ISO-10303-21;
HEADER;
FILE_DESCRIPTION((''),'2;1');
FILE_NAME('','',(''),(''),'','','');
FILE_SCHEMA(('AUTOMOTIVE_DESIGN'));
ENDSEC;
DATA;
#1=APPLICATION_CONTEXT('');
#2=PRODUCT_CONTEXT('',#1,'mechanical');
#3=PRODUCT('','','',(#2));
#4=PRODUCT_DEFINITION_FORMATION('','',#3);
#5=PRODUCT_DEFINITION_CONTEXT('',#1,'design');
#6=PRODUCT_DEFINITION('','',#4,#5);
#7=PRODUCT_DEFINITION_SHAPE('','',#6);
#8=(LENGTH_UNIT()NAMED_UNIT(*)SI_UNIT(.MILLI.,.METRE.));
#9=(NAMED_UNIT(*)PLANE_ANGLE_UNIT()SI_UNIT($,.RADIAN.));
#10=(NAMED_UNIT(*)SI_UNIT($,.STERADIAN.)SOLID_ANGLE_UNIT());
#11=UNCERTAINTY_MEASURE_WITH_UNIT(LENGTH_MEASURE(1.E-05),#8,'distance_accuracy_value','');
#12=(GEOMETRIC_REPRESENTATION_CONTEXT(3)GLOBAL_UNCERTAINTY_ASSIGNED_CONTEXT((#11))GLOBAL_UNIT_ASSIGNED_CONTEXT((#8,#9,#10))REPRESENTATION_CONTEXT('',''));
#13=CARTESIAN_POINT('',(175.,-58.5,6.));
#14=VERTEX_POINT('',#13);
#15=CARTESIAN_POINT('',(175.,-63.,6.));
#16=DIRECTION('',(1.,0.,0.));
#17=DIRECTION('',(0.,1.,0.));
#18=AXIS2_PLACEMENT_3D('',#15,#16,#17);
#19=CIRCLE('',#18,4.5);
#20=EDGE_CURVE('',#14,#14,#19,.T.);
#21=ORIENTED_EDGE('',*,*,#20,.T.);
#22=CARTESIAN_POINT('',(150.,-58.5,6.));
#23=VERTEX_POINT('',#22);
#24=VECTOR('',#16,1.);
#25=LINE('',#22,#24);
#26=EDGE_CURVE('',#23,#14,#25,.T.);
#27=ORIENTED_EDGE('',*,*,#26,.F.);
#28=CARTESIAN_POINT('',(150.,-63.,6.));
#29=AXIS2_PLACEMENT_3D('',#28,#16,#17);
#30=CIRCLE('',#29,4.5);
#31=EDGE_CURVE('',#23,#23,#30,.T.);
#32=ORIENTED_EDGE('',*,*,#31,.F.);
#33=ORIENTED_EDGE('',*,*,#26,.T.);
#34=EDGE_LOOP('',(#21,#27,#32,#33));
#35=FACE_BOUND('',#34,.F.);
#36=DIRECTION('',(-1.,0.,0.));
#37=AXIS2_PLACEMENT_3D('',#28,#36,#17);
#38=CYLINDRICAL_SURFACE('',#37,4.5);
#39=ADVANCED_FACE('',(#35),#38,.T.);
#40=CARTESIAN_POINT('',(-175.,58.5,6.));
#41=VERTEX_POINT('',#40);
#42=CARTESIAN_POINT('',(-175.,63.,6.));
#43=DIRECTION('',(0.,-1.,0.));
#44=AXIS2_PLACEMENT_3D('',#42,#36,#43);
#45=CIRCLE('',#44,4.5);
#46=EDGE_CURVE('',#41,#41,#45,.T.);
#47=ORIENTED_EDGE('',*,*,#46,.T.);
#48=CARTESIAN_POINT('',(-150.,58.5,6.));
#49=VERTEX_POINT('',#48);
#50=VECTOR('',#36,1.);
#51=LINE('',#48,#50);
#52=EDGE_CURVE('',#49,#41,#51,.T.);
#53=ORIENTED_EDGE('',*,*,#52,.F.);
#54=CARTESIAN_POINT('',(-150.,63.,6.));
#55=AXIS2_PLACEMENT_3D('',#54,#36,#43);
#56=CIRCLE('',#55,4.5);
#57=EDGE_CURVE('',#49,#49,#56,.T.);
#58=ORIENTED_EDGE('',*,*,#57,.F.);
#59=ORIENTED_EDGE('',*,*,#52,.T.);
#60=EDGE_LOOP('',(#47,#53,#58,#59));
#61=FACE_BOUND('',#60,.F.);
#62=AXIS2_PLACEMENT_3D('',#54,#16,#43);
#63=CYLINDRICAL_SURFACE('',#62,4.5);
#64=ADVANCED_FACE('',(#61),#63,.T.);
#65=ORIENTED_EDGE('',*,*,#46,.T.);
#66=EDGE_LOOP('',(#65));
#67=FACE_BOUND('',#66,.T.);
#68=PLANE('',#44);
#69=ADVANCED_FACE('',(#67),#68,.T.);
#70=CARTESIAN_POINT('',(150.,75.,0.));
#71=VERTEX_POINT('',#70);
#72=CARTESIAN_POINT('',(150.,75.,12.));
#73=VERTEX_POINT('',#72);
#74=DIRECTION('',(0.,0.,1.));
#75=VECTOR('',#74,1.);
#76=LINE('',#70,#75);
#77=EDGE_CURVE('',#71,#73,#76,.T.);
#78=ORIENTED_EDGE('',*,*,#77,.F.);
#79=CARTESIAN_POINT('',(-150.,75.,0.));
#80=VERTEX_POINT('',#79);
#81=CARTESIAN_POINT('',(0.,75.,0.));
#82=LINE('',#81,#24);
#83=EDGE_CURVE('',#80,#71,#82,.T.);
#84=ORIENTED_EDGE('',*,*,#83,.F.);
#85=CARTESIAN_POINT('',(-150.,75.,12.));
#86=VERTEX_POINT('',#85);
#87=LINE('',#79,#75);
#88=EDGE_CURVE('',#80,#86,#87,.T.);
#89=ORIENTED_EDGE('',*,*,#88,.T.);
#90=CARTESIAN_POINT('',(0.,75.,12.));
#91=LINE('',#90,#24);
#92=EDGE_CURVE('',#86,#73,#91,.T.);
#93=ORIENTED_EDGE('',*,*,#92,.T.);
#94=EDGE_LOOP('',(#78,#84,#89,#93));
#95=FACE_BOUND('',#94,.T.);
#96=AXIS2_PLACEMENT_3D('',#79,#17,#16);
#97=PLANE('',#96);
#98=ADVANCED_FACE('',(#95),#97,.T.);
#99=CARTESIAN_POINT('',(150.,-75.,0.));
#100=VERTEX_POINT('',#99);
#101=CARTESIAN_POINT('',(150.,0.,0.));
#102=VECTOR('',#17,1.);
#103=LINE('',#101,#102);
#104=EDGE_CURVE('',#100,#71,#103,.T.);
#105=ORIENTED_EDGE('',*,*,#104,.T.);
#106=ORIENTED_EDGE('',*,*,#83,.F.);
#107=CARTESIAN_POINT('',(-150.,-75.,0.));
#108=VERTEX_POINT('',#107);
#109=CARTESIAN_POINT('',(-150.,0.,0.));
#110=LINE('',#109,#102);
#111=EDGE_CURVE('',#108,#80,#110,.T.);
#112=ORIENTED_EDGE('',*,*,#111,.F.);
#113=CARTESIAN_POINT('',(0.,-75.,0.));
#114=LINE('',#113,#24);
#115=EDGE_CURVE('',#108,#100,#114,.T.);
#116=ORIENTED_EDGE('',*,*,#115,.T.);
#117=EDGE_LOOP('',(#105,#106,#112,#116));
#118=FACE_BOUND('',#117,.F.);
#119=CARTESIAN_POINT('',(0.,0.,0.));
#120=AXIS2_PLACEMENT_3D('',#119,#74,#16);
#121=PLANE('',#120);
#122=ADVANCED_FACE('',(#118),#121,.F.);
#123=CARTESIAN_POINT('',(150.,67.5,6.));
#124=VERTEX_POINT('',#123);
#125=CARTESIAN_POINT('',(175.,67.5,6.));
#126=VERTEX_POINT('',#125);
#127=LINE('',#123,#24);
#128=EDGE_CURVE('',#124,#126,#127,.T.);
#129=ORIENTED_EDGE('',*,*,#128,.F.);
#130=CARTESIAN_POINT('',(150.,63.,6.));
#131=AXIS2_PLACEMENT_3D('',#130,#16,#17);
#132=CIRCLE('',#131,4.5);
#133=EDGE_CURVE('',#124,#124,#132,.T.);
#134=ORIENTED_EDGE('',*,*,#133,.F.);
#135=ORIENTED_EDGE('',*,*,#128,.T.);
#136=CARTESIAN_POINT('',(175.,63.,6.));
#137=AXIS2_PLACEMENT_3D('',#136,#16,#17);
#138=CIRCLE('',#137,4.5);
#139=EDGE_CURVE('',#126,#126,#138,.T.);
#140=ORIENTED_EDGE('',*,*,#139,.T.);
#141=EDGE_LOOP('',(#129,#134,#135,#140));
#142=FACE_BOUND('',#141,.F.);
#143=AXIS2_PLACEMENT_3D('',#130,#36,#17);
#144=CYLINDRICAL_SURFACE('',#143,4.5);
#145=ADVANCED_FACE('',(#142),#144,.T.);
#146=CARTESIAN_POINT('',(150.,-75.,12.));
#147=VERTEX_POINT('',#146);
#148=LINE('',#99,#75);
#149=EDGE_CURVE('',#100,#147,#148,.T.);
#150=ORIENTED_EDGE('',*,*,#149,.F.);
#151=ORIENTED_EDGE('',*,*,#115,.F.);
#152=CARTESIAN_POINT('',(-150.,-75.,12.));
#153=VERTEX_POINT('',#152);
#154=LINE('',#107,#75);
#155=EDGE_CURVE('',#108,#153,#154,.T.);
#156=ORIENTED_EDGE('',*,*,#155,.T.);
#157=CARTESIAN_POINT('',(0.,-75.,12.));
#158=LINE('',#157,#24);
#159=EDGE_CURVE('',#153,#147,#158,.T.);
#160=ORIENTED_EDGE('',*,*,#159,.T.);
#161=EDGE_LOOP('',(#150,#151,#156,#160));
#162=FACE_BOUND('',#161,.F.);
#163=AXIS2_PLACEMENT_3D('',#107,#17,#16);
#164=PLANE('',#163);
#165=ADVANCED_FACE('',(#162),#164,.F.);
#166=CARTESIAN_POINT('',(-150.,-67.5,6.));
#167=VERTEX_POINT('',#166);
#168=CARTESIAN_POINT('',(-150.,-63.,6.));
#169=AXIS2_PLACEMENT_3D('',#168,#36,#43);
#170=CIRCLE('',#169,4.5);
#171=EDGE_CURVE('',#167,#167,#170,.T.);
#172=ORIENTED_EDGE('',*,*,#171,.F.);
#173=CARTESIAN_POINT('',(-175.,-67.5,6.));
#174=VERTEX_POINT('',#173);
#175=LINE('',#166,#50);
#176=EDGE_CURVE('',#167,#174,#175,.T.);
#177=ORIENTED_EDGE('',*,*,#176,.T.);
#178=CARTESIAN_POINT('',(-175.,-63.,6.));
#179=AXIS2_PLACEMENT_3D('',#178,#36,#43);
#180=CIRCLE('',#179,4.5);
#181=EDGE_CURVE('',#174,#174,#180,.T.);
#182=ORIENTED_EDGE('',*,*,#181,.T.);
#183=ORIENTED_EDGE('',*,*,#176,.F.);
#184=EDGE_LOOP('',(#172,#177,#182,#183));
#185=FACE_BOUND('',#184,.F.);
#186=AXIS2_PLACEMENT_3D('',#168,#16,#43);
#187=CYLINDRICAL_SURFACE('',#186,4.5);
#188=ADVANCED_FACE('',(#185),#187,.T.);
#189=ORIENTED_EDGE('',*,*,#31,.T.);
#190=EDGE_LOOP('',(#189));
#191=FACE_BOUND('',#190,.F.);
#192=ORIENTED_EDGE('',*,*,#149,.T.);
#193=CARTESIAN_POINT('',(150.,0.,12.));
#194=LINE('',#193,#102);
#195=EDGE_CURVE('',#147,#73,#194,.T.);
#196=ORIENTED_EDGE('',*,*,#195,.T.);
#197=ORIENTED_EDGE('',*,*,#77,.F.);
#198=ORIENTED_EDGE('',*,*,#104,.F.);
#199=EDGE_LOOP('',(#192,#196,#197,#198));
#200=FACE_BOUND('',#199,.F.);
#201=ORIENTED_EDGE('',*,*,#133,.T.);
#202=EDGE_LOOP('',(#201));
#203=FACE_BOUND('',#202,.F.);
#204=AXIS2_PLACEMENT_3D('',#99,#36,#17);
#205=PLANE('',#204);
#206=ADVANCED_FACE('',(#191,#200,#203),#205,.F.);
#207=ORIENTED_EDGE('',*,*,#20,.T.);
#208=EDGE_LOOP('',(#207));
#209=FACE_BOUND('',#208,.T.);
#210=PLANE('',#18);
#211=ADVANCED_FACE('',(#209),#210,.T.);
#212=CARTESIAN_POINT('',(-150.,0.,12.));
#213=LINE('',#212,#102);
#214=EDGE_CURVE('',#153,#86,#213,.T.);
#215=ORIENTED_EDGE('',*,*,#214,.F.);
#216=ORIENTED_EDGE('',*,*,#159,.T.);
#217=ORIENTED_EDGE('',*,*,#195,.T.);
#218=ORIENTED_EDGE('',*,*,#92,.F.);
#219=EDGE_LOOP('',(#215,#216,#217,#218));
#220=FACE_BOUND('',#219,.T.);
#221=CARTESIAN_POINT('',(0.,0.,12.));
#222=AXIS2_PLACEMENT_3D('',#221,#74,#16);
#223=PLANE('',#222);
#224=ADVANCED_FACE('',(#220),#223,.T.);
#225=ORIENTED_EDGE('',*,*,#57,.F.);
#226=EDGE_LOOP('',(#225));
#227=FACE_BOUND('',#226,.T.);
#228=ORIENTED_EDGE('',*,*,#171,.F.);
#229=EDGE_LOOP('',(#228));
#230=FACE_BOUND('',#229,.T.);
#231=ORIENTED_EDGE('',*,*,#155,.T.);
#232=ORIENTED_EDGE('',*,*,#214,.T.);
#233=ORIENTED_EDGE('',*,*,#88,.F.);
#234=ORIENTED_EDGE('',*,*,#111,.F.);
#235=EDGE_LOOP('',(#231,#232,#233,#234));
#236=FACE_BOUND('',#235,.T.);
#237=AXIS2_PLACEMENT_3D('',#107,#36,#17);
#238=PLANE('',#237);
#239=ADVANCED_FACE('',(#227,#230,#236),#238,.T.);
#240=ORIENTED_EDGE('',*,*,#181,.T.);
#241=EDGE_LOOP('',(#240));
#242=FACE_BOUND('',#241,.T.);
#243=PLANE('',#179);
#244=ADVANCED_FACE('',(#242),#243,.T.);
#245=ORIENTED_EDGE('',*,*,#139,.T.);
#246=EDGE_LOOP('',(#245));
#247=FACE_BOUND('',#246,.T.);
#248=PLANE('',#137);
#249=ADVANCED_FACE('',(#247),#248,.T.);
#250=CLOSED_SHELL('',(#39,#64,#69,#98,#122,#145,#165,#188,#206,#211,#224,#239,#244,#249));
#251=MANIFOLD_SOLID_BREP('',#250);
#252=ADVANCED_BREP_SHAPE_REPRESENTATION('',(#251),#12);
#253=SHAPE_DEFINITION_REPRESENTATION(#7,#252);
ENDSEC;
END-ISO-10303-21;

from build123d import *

# Parameters (mm, degrees)
F0_W     = 300
F0_H     = 150
F1_DEPTH = 12
F2_R     = 4.5
F3_DEPTH = 25
F4_R     = 4.5
F5_DEPTH = 25


with BuildPart() as f1:
    # F0 (on Top) → F1 (new body)
    with BuildSketch(Plane.XY):
        Rectangle(F0_W, F0_H)
    extrude(amount=F1_DEPTH)

    # F2 (on face) → F3 (join)
    with BuildSketch(Plane.YZ.offset(150)):
        with Locations((-63, 6)):
            Circle(F2_R)
        with Locations((63, 6)):
            Circle(F2_R)
    extrude(amount=F3_DEPTH)

    # F4 (on face) → F5 (join)
    with BuildSketch(Plane(origin=(-150, 0, 0), x_dir=(0, -1, 0), z_dir=(-1, 0, 0))):
        with Locations((-63, 6)):
            Circle(F4_R)
        with Locations((63, 6)):
            Circle(F4_R)
    extrude(amount=F5_DEPTH)


solid = f1.part
